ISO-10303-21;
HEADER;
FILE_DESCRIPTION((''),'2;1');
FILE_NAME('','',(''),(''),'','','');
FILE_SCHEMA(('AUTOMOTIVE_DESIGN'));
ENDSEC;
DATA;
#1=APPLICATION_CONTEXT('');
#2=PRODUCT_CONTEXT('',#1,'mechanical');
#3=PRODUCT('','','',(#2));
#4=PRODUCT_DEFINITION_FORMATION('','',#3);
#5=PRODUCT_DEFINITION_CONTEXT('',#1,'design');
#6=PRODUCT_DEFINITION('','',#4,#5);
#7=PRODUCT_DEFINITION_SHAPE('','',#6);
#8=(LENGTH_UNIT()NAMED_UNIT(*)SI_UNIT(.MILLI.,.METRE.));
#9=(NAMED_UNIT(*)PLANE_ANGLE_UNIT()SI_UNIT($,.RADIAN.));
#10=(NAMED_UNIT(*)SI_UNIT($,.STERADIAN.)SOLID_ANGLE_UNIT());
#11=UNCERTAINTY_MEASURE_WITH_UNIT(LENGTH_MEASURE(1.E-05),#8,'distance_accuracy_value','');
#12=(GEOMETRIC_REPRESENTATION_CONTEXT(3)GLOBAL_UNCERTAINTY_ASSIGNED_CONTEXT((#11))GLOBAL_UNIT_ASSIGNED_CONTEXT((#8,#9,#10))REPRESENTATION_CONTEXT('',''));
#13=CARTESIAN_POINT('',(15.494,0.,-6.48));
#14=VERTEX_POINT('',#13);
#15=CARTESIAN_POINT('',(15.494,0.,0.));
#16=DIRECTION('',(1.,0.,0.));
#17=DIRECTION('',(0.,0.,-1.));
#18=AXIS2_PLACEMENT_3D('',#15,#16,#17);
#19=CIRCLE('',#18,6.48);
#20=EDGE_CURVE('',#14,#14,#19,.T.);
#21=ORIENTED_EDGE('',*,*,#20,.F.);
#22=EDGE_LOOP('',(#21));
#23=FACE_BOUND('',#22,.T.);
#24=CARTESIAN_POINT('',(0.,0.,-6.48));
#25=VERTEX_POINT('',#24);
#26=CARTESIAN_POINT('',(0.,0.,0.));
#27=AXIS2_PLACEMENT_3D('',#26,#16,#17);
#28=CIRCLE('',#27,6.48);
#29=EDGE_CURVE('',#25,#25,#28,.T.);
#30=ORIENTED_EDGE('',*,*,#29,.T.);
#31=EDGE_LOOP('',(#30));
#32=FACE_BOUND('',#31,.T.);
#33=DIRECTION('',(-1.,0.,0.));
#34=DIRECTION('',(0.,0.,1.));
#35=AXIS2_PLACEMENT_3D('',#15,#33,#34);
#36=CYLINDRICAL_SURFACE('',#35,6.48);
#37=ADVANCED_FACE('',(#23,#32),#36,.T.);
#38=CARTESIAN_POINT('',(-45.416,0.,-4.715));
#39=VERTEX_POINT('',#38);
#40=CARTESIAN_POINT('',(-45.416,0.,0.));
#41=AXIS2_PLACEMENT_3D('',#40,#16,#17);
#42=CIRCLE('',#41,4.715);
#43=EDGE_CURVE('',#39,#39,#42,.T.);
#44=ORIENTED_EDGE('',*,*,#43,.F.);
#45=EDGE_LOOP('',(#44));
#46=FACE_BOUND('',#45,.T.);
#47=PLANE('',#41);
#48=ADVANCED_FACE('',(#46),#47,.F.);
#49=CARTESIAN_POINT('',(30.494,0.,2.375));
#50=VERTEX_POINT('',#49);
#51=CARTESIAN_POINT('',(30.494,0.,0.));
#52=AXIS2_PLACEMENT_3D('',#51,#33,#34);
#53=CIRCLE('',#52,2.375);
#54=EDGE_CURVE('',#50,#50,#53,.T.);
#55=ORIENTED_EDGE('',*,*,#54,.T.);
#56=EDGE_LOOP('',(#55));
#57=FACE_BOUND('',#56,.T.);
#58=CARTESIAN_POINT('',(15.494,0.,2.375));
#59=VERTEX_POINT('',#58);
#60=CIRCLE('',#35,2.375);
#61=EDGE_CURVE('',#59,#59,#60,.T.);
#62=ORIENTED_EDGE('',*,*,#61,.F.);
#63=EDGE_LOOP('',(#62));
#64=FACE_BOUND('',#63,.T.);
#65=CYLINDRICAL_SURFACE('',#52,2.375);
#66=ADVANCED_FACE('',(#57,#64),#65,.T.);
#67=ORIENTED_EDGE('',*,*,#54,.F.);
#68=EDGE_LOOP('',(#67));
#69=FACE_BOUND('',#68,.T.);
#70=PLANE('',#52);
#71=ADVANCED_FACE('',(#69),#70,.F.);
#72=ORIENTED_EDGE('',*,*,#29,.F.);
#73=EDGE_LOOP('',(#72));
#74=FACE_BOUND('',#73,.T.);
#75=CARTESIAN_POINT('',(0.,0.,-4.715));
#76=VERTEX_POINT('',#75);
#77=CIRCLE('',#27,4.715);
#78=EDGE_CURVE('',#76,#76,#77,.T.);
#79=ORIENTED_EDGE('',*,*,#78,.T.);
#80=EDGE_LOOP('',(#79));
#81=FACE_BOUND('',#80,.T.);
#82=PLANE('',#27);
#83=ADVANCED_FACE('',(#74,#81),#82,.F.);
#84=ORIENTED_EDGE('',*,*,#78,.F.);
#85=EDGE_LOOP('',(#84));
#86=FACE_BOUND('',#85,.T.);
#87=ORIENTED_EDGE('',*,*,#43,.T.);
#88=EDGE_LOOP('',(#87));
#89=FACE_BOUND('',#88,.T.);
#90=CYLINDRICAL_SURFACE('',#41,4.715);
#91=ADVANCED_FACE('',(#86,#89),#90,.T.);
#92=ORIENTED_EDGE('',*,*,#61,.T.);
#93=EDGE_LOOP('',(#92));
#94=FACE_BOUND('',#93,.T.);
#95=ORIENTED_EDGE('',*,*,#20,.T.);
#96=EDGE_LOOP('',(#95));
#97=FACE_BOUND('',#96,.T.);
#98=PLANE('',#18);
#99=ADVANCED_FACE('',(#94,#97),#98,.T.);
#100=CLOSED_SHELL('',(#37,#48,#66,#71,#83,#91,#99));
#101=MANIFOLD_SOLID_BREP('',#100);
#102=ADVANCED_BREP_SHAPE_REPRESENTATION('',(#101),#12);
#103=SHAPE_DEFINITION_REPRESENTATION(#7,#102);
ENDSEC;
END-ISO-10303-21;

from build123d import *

# Parameters (mm, degrees)
SKETCH1_R           = 6.48
BOSS_EXTRUDE1_DEPTH = 15.494
SKETCH2_R           = 4.715
BOSS_EXTRUDE2_DEPTH = 60.91
SKETCH3_R           = 2.375
BOSS_EXTRUDE3_DEPTH = 15


with BuildPart() as part:
    # Sketch1 → Boss-Extrude1 (new body)
    with BuildSketch(Plane.YZ):
        with Locations(Location((0, 0, 0), (0, 0, 270))):
            Circle(SKETCH1_R)
    extrude(amount=BOSS_EXTRUDE1_DEPTH)

    # Sketch2 → Boss-Extrude2 (add)
    with BuildSketch(Plane.YZ.offset(15.494)):
        with Locations(Location((0, 0, 0), (0, 0, 270))):
            Circle(SKETCH2_R)
    extrude(amount=-BOSS_EXTRUDE2_DEPTH)

    # Sketch3 → Boss-Extrude3 (add)
    with BuildSketch(Plane(origin=(15.494, 0, 0), x_dir=(0, -1, 0), z_dir=(-1, 0, 0))):
        with Locations(Location((0, 0, 0), (0, 0, 90))):
            Circle(SKETCH3_R)
    extrude(amount=-BOSS_EXTRUDE3_DEPTH)


solid = part.part
